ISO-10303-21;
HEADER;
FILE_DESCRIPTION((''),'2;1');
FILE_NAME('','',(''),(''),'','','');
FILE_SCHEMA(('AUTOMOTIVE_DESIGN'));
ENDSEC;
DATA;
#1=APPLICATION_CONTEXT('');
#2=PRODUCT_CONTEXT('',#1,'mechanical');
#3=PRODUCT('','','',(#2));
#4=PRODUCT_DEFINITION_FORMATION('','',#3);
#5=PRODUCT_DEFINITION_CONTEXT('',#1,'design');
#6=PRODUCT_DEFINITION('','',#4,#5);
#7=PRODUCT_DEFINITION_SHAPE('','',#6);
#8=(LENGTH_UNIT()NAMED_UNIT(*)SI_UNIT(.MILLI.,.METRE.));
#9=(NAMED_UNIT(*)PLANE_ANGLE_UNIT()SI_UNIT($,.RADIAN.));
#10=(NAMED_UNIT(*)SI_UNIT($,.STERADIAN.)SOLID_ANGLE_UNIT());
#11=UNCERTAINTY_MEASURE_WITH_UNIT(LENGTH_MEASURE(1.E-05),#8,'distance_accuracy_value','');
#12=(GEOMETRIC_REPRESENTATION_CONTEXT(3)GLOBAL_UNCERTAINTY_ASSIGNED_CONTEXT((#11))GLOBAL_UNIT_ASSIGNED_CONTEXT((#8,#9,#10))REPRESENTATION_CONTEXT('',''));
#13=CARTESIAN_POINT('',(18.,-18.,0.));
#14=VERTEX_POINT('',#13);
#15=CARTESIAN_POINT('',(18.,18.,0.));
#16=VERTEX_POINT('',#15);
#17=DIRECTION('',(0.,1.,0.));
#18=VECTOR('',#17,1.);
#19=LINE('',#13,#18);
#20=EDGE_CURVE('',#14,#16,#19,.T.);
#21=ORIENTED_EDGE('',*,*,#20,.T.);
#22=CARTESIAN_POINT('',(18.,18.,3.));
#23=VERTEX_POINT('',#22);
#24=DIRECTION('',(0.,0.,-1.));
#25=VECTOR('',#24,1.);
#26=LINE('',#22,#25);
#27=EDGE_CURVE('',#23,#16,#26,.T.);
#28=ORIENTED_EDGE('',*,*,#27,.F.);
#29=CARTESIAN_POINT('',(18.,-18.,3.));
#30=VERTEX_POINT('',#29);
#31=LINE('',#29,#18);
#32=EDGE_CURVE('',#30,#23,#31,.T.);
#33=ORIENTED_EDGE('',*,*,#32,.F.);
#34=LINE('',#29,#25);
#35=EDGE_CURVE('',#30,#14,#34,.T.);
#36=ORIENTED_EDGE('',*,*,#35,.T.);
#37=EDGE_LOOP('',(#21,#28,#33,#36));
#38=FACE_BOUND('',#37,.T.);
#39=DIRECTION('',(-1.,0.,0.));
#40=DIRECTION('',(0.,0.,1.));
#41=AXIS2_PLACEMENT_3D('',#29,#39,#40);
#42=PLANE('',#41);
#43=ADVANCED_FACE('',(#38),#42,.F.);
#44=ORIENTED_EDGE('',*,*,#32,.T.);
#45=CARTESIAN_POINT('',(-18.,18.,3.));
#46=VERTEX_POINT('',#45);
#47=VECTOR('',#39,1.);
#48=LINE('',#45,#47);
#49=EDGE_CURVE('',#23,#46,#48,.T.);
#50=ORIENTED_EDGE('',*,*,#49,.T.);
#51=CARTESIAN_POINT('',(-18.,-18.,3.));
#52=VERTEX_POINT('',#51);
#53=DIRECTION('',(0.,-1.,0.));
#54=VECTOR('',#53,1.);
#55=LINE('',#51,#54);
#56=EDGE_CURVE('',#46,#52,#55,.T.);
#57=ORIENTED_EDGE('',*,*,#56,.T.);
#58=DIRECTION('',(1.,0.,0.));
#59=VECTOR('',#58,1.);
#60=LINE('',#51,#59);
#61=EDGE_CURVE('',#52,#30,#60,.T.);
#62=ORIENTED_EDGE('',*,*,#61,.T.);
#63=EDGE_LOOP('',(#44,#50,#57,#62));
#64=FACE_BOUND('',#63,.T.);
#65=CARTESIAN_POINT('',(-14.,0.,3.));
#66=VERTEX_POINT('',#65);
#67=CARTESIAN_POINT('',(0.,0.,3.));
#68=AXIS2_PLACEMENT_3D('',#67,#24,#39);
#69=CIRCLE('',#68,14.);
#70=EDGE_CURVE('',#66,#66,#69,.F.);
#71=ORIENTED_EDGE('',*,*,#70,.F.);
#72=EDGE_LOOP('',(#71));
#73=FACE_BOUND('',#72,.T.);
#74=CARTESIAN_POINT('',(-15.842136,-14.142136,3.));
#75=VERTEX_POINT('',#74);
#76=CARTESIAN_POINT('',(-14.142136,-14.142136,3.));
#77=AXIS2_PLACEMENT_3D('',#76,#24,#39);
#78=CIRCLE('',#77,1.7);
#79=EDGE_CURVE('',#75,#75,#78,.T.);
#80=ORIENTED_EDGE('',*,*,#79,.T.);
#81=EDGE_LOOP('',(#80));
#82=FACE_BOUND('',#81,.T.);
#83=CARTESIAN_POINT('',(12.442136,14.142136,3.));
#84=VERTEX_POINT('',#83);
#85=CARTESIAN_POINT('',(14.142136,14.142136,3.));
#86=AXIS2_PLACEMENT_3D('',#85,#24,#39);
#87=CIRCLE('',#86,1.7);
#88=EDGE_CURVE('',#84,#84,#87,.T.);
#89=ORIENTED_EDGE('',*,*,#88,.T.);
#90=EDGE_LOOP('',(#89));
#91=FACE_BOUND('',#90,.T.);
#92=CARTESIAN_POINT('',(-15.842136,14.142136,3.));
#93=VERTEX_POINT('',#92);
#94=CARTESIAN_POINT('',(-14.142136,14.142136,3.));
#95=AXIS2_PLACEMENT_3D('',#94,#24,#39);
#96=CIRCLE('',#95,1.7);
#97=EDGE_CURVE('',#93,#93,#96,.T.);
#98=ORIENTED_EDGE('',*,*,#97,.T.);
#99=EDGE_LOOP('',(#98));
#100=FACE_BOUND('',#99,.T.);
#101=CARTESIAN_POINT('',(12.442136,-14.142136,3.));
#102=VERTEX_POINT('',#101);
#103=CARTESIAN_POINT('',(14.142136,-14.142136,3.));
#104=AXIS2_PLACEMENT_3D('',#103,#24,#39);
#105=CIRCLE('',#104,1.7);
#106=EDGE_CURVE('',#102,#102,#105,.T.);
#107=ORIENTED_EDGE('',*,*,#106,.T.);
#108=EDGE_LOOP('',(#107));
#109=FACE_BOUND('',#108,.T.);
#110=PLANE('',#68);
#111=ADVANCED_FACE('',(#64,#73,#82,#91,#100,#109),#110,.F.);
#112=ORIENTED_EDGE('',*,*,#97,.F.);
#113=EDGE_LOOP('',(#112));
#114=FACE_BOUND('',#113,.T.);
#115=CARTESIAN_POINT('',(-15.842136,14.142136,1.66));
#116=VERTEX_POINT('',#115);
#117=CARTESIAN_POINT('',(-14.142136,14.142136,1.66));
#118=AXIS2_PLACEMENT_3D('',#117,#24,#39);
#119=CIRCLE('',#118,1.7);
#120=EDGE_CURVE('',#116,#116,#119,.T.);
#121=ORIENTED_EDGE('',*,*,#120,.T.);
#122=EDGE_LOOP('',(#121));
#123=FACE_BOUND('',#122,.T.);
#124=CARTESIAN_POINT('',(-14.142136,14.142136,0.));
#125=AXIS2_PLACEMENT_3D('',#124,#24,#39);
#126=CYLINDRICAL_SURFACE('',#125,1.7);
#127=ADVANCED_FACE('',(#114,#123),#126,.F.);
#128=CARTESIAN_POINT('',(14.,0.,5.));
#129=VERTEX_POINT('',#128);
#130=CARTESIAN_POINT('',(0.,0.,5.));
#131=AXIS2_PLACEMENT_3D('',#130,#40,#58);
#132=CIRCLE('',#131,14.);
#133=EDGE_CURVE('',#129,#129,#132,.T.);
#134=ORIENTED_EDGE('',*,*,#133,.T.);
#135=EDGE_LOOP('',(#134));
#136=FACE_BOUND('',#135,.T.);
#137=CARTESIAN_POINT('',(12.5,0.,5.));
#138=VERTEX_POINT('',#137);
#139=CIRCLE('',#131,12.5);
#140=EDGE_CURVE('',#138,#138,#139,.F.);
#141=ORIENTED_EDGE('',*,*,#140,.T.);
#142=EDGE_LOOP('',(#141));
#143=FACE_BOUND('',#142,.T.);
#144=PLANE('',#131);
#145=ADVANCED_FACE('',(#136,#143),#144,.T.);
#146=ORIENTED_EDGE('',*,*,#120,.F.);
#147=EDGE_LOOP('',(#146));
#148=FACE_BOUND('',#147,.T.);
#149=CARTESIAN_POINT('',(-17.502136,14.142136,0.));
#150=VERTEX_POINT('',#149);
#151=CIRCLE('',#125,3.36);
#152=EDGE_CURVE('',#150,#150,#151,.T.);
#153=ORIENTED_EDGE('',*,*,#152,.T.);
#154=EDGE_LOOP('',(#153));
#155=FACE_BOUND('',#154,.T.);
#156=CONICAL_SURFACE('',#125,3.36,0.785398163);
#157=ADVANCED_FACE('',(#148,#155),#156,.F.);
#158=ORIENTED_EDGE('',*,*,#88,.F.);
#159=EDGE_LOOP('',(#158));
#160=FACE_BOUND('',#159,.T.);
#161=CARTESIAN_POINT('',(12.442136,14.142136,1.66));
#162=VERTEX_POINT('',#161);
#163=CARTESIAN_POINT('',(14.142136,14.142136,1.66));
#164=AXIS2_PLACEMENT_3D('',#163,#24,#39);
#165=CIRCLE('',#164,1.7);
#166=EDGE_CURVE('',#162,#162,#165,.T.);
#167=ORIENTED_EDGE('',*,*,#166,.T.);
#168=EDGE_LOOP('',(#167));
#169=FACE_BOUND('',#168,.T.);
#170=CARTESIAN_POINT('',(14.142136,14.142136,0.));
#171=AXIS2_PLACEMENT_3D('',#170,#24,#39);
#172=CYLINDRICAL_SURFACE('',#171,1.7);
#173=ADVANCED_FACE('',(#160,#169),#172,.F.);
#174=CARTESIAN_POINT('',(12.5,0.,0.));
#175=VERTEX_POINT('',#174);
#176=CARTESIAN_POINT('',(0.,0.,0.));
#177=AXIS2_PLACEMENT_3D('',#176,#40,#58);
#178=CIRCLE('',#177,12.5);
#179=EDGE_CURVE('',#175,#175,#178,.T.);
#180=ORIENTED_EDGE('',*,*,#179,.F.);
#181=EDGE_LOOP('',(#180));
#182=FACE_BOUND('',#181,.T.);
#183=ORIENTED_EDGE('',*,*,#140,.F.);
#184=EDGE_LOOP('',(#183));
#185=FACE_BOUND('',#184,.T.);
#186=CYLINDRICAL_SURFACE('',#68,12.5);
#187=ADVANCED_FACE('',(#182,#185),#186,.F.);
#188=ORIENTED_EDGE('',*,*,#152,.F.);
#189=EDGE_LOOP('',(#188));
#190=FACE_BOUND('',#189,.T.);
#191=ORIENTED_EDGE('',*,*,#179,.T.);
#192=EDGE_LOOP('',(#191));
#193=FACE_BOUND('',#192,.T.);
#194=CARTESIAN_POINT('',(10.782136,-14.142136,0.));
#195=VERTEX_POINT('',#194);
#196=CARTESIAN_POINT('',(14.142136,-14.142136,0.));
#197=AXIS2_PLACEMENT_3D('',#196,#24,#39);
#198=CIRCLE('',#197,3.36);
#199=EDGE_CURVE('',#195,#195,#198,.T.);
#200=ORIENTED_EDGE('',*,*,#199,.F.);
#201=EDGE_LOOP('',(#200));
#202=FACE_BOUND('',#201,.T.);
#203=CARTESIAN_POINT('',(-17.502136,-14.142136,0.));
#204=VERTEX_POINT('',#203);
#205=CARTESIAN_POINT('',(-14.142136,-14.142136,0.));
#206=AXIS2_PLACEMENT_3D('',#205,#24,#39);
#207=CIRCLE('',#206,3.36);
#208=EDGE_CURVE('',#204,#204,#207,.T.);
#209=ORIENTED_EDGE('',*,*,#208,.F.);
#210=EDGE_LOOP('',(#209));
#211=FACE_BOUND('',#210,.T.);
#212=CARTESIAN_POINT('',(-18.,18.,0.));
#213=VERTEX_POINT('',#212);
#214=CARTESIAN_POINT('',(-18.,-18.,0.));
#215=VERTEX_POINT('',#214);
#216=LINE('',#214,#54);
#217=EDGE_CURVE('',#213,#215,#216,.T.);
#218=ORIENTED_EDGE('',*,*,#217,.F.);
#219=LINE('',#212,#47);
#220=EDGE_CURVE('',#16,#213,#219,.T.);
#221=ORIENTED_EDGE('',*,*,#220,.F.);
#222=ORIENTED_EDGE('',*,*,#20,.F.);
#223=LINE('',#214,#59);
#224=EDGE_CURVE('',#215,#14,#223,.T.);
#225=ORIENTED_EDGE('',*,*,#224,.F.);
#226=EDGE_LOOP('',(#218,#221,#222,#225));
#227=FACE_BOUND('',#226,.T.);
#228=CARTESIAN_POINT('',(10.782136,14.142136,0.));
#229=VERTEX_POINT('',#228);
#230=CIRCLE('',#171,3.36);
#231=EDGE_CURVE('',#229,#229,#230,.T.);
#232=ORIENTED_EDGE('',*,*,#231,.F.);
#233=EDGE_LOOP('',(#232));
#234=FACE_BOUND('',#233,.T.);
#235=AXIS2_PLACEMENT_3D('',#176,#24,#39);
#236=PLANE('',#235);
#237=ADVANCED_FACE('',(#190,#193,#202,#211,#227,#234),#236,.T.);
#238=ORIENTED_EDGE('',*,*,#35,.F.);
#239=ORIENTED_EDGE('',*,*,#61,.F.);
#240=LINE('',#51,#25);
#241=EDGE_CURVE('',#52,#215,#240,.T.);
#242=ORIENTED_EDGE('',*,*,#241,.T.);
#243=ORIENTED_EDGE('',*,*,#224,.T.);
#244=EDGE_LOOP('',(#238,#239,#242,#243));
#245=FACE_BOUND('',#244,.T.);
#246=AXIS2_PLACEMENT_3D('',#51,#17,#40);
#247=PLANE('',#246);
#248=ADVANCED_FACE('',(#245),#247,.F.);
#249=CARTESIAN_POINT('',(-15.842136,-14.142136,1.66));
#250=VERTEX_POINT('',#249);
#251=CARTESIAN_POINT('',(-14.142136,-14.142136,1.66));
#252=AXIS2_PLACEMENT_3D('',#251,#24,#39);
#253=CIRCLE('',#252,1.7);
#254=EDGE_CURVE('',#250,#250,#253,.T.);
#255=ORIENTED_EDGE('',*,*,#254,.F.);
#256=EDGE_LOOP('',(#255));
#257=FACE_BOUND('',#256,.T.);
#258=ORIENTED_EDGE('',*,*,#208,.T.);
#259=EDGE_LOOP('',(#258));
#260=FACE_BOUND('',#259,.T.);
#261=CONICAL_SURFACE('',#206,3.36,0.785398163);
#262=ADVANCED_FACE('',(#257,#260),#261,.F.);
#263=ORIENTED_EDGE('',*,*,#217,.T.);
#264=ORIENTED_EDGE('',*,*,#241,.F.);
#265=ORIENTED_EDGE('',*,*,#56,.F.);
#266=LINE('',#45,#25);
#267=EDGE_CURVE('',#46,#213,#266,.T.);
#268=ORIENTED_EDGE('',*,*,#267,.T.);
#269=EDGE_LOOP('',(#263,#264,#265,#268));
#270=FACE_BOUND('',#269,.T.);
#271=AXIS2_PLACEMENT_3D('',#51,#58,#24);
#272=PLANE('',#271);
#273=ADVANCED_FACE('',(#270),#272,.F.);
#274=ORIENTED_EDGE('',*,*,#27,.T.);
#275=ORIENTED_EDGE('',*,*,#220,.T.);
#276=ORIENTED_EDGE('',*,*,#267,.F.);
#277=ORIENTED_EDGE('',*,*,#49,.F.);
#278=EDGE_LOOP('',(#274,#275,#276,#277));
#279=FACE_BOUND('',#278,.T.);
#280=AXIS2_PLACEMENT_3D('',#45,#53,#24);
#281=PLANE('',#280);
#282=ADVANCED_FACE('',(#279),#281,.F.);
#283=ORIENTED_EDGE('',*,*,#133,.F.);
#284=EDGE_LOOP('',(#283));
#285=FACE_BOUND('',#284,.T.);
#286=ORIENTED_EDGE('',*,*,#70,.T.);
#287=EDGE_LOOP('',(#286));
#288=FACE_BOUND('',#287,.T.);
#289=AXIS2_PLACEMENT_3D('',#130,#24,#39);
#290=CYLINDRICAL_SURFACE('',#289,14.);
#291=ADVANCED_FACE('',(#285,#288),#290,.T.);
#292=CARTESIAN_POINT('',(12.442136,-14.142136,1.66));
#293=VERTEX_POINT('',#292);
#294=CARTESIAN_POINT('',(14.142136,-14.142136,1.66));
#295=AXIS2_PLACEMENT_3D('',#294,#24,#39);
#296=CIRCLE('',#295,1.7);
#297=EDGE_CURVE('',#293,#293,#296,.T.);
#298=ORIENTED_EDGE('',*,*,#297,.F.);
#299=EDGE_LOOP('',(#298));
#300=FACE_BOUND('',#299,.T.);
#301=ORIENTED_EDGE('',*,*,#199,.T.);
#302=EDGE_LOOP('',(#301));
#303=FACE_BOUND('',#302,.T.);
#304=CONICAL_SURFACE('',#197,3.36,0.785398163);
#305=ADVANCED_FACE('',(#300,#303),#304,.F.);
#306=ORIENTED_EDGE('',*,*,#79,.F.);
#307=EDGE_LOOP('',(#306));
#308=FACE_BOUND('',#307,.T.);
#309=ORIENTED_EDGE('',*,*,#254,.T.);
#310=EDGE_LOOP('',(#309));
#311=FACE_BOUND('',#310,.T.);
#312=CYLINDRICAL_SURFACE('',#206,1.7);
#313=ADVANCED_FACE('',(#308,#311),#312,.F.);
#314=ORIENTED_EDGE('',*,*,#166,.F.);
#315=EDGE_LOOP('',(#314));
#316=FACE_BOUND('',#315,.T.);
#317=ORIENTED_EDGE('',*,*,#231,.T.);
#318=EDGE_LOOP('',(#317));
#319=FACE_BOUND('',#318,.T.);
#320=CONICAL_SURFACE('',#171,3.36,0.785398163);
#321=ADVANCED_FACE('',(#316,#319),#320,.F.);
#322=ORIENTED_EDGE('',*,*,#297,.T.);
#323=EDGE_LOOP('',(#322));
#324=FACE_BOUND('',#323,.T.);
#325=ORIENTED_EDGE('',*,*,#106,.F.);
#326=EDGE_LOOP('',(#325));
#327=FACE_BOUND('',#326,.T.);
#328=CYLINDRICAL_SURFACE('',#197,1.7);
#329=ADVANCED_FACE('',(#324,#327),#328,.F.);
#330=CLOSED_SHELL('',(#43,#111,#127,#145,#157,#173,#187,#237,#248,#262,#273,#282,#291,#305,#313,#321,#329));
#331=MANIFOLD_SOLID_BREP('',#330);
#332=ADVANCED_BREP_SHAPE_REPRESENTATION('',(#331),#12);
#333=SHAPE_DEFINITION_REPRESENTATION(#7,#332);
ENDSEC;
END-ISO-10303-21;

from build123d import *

# Parameters (mm, degrees)
ESBO_O1_W                            = 36
ESBO_O1_H                            = 36
ESBO_O1_R                            = 12.5
RESSALTO_EXTRUS_O1_DEPTH             = 3
ESBO_O2_R                            = 14
ESBO_O2_R_2                          = 12.5
RESSALTO_EXTRUS_O2_DEPTH             = 2
ESCAREADO_PARA_SFHCS_M32_D           = 3.4
ESCAREADO_PARA_SFHCS_M32_CSINK_D     = 6.72
ESCAREADO_PARA_SFHCS_M32_CSINK_ANGLE = 90


with BuildPart() as part:
    # Esboço1 → Ressalto-extrusão1 (new body)
    with BuildSketch(Plane.XY):
        Rectangle(ESBO_O1_W, ESBO_O1_H)
        Circle(ESBO_O1_R, mode=Mode.SUBTRACT)
    extrude(amount=RESSALTO_EXTRUS_O1_DEPTH)

    # Esboço2 → Ressalto-extrusão2 (add)
    with BuildSketch(Plane.XY.offset(3)):
        with Locations(Location((0, 0, 0), (0, 0, 180))):
            Circle(ESBO_O2_R)
        Circle(ESBO_O2_R_2, mode=Mode.SUBTRACT)
    extrude(amount=RESSALTO_EXTRUS_O2_DEPTH)

    # Escareado para SFHCS M32 (through all)
    with Locations(Plane(origin=(0, 0, 0), x_dir=(-1, 0, 0), z_dir=(0, 0, -1))):
        with Locations((-14.142135624, 14.142135624), (14.142135624, 14.142135624), (14.142135624, -14.142135624), (-14.142135624, -14.142135624)):
            CounterSinkHole(ESCAREADO_PARA_SFHCS_M32_D / 2, ESCAREADO_PARA_SFHCS_M32_CSINK_D / 2, counter_sink_angle=ESCAREADO_PARA_SFHCS_M32_CSINK_ANGLE)


solid = part.part
